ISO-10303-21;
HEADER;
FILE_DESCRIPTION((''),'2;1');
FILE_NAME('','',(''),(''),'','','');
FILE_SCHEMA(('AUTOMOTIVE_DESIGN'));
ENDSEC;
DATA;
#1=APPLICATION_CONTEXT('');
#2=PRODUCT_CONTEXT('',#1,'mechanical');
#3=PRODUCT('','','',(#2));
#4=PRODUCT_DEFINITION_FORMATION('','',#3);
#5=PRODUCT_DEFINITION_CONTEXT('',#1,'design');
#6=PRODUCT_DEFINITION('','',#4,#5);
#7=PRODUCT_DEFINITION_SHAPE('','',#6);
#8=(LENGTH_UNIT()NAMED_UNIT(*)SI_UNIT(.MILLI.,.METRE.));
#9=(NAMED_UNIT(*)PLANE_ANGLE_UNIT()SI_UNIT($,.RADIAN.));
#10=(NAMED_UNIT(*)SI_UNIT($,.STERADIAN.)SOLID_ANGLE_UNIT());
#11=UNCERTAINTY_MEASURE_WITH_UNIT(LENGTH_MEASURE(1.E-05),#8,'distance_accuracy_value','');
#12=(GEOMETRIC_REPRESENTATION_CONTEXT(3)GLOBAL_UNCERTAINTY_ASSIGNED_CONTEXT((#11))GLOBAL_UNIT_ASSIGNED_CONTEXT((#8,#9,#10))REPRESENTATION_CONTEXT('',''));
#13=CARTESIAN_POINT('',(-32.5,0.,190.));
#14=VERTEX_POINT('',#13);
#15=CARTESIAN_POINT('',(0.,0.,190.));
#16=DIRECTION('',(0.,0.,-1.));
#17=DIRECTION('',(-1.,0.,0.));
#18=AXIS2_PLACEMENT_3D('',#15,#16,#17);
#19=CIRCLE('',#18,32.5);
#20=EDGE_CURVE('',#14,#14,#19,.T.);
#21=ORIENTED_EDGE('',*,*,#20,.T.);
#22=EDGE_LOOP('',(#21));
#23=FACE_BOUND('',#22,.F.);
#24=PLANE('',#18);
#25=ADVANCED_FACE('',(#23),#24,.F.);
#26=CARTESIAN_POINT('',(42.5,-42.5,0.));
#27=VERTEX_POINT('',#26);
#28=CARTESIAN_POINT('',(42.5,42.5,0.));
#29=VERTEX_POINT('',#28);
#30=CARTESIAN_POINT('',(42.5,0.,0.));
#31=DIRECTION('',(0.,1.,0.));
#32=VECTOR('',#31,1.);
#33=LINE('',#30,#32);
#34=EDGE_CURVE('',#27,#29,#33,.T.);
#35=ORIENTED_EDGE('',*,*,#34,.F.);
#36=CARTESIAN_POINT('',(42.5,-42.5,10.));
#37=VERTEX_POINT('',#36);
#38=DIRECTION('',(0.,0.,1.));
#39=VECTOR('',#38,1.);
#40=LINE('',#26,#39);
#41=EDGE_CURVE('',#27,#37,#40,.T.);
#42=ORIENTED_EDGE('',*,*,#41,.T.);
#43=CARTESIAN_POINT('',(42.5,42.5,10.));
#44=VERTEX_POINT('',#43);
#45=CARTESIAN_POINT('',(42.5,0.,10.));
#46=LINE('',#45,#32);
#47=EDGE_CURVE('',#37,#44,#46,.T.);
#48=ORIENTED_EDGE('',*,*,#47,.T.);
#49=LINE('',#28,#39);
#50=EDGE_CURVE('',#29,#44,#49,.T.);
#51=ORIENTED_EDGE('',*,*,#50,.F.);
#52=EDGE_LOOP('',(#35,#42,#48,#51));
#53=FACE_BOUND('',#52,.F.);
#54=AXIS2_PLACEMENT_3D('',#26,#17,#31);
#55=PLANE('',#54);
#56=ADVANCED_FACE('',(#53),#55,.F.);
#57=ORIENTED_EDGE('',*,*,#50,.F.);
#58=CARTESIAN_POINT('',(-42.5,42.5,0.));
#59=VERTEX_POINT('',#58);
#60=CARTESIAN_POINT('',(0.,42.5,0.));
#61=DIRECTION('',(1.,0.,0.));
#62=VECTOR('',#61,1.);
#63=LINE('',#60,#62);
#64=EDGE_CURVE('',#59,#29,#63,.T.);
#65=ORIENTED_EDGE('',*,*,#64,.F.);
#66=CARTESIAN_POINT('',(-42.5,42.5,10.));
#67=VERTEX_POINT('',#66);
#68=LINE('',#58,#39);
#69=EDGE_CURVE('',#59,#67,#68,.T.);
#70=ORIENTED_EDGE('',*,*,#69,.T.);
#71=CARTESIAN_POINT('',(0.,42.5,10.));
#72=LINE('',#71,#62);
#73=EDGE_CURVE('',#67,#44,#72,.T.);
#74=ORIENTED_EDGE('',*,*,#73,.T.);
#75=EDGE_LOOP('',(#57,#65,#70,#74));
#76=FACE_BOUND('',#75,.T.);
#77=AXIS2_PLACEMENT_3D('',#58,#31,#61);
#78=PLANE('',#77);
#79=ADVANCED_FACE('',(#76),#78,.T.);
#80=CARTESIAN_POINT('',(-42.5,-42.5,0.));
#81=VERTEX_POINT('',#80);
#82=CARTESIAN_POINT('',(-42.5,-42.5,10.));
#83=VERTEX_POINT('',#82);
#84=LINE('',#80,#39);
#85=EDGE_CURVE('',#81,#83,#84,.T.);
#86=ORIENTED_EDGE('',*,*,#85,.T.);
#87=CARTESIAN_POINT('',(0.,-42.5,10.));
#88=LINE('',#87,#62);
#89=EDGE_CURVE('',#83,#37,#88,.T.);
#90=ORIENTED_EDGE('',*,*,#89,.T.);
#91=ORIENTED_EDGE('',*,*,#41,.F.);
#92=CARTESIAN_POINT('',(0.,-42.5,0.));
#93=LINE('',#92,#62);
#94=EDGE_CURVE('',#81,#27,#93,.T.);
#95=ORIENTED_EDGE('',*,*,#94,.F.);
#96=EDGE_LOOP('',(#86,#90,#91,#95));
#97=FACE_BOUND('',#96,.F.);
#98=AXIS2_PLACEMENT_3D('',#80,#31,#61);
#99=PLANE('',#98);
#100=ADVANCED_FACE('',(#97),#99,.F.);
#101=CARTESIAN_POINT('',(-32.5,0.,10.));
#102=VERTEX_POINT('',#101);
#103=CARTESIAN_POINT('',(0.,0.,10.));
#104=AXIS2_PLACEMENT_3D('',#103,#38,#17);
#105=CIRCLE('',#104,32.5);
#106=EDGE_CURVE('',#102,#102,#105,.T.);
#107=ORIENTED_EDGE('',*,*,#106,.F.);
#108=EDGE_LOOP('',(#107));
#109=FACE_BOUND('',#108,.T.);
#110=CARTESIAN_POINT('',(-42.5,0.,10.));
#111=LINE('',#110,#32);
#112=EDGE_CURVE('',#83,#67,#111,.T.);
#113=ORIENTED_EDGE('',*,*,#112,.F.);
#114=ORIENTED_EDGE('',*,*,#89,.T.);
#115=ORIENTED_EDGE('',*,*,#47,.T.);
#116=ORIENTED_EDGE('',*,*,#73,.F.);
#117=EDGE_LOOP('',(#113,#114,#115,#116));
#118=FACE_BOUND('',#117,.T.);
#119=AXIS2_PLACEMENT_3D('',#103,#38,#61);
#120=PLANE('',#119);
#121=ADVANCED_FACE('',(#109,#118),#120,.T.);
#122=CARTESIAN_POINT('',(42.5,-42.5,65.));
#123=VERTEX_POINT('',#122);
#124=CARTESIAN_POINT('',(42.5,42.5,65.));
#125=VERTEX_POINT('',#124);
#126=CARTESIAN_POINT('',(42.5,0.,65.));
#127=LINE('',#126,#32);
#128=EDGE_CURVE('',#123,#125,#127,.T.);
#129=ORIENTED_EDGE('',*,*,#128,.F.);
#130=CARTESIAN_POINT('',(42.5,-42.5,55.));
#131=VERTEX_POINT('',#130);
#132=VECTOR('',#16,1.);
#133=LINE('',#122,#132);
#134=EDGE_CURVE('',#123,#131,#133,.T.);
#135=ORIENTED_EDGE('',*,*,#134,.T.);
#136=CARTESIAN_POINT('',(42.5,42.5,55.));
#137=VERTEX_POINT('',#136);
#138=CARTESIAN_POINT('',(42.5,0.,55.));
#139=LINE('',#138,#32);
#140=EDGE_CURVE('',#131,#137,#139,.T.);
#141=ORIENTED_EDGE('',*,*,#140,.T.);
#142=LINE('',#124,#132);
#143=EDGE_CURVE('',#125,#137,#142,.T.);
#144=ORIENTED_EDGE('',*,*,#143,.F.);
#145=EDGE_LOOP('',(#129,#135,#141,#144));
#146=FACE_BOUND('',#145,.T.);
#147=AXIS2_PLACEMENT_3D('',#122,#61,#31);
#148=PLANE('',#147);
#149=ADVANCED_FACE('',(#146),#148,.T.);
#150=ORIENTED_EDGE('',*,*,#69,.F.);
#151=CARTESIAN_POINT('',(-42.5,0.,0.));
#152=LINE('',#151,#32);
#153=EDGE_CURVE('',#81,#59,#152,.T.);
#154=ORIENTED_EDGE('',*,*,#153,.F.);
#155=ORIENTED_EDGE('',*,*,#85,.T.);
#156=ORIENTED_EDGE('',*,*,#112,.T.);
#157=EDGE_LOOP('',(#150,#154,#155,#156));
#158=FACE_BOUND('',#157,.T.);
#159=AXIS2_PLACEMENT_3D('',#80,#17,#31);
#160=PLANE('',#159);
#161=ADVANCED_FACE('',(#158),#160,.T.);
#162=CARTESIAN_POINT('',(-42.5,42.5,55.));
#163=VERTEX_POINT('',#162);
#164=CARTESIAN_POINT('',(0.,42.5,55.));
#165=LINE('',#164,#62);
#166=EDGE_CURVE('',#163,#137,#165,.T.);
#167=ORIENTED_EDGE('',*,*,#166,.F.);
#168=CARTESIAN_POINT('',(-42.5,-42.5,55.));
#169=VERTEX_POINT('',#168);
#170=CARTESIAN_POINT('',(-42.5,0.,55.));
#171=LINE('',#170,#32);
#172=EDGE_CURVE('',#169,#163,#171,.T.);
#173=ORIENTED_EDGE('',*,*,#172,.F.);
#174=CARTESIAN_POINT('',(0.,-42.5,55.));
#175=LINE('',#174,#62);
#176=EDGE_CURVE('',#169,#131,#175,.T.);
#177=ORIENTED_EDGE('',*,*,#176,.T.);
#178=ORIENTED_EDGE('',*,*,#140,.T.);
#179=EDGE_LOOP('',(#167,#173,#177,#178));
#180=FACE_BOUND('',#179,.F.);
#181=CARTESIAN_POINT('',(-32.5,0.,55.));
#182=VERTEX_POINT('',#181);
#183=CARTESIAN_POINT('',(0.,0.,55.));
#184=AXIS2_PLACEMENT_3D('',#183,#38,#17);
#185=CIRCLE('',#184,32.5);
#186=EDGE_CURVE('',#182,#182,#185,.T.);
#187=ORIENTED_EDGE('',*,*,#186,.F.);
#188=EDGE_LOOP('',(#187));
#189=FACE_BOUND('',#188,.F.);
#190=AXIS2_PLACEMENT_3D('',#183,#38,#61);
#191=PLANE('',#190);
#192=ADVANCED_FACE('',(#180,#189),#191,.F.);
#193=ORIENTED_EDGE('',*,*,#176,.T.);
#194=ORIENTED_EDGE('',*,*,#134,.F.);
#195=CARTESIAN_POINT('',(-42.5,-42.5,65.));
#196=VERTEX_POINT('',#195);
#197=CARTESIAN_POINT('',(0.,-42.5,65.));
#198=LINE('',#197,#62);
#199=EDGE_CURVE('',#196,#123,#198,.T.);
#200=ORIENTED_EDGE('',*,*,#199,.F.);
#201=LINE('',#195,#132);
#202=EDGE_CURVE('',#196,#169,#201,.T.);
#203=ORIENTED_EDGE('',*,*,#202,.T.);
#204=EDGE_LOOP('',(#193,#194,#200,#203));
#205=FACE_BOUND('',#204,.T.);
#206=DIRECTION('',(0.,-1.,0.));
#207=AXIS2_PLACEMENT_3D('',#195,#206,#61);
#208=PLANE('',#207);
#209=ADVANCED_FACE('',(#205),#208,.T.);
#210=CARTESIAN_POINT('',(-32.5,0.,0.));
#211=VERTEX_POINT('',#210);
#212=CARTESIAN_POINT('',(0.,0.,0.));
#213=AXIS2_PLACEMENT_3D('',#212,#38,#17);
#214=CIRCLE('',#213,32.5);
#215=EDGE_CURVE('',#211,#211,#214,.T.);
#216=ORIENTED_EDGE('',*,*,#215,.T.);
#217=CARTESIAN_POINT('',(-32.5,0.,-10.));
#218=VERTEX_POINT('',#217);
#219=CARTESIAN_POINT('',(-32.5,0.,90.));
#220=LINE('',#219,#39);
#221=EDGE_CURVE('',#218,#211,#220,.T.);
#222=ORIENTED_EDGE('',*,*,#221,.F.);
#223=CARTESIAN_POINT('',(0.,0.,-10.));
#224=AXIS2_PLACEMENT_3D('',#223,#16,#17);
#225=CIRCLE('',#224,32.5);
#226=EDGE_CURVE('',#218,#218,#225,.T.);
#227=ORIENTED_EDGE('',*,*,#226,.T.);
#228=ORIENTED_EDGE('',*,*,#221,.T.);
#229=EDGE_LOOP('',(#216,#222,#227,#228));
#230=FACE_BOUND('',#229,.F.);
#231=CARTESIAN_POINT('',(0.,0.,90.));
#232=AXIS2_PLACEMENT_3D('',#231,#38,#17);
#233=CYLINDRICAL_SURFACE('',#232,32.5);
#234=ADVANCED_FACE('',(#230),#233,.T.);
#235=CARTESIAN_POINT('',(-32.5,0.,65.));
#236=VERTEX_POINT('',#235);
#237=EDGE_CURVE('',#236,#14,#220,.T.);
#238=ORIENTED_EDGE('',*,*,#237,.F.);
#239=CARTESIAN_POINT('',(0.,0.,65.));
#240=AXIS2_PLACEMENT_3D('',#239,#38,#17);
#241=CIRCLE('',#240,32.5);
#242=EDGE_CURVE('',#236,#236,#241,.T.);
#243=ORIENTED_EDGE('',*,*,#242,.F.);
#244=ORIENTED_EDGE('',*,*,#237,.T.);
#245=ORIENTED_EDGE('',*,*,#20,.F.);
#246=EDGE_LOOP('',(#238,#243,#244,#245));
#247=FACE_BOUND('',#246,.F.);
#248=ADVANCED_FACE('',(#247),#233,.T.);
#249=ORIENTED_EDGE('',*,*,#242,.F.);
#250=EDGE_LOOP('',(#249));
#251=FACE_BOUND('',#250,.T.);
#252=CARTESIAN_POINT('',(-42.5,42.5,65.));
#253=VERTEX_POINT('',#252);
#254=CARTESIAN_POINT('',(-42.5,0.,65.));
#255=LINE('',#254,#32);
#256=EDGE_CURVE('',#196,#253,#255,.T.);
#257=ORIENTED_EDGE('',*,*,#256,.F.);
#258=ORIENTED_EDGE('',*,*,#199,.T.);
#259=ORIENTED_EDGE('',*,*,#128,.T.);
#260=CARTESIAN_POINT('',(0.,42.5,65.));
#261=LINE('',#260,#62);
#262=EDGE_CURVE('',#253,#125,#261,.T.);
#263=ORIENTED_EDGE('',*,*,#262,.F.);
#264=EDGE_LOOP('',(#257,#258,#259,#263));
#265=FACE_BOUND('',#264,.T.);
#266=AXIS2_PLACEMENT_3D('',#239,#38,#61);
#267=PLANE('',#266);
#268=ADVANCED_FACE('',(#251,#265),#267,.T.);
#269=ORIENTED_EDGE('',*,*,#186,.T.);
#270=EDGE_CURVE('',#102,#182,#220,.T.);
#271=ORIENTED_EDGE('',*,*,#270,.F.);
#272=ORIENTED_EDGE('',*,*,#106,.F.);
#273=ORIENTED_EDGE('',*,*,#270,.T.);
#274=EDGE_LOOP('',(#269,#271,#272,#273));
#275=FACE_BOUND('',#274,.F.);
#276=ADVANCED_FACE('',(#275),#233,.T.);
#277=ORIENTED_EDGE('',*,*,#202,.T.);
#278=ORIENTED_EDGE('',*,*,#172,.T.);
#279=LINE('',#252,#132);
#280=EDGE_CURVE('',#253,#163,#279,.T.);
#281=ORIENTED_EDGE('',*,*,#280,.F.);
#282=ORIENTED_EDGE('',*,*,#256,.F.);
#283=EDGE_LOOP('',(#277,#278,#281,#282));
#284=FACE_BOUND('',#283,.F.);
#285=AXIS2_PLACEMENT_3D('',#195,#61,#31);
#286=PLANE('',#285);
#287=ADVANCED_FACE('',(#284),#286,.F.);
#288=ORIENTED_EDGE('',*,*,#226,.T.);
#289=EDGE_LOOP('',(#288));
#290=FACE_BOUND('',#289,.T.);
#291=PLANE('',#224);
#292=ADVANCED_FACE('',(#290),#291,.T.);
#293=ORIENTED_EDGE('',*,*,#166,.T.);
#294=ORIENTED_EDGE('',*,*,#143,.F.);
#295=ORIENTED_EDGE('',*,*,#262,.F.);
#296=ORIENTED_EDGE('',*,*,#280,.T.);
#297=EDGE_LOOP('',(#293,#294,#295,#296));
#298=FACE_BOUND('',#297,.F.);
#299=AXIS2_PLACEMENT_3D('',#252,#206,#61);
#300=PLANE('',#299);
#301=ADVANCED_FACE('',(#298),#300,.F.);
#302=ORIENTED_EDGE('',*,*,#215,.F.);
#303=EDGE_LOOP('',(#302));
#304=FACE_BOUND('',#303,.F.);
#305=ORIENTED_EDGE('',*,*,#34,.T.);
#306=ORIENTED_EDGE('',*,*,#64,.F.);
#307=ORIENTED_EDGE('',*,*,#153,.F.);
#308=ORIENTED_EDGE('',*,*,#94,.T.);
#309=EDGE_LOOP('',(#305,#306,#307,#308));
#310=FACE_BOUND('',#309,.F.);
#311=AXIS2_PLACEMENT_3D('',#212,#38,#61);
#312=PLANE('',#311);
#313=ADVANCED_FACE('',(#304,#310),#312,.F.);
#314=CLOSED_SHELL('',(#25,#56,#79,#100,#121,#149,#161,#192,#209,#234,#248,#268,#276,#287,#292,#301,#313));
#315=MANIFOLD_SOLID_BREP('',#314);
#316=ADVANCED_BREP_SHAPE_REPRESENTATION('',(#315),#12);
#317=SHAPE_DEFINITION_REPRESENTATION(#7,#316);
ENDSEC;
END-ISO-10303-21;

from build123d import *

# Parameters (mm, degrees)
F0_W     = 32.5
F0_H     = 200
F2_W     = 85
F2_H     = 85
F3_DEPTH = 10
F5_W     = 85
F5_H     = 85
F6_DEPTH = 10


with BuildPart() as f1:
    # F0 (on Front) → F1 (revolve)
    with BuildSketch(Plane.XZ):
        with Locations((-16.25, 90)):
            Rectangle(F0_W, F0_H)
    revolve(axis=Axis((0, 0, 90), (0, 0, -1)))

    # F2 (on Top) → F3 (join)
    with BuildSketch(Plane.XY):
        Rectangle(F2_W, F2_H)
    extrude(amount=F3_DEPTH)

    # F5 (on offset) → F6 (join)
    with BuildSketch(Plane.XY.offset(65)):
        Rectangle(F5_W, F5_H)
    extrude(amount=-F6_DEPTH)


solid = f1.part
